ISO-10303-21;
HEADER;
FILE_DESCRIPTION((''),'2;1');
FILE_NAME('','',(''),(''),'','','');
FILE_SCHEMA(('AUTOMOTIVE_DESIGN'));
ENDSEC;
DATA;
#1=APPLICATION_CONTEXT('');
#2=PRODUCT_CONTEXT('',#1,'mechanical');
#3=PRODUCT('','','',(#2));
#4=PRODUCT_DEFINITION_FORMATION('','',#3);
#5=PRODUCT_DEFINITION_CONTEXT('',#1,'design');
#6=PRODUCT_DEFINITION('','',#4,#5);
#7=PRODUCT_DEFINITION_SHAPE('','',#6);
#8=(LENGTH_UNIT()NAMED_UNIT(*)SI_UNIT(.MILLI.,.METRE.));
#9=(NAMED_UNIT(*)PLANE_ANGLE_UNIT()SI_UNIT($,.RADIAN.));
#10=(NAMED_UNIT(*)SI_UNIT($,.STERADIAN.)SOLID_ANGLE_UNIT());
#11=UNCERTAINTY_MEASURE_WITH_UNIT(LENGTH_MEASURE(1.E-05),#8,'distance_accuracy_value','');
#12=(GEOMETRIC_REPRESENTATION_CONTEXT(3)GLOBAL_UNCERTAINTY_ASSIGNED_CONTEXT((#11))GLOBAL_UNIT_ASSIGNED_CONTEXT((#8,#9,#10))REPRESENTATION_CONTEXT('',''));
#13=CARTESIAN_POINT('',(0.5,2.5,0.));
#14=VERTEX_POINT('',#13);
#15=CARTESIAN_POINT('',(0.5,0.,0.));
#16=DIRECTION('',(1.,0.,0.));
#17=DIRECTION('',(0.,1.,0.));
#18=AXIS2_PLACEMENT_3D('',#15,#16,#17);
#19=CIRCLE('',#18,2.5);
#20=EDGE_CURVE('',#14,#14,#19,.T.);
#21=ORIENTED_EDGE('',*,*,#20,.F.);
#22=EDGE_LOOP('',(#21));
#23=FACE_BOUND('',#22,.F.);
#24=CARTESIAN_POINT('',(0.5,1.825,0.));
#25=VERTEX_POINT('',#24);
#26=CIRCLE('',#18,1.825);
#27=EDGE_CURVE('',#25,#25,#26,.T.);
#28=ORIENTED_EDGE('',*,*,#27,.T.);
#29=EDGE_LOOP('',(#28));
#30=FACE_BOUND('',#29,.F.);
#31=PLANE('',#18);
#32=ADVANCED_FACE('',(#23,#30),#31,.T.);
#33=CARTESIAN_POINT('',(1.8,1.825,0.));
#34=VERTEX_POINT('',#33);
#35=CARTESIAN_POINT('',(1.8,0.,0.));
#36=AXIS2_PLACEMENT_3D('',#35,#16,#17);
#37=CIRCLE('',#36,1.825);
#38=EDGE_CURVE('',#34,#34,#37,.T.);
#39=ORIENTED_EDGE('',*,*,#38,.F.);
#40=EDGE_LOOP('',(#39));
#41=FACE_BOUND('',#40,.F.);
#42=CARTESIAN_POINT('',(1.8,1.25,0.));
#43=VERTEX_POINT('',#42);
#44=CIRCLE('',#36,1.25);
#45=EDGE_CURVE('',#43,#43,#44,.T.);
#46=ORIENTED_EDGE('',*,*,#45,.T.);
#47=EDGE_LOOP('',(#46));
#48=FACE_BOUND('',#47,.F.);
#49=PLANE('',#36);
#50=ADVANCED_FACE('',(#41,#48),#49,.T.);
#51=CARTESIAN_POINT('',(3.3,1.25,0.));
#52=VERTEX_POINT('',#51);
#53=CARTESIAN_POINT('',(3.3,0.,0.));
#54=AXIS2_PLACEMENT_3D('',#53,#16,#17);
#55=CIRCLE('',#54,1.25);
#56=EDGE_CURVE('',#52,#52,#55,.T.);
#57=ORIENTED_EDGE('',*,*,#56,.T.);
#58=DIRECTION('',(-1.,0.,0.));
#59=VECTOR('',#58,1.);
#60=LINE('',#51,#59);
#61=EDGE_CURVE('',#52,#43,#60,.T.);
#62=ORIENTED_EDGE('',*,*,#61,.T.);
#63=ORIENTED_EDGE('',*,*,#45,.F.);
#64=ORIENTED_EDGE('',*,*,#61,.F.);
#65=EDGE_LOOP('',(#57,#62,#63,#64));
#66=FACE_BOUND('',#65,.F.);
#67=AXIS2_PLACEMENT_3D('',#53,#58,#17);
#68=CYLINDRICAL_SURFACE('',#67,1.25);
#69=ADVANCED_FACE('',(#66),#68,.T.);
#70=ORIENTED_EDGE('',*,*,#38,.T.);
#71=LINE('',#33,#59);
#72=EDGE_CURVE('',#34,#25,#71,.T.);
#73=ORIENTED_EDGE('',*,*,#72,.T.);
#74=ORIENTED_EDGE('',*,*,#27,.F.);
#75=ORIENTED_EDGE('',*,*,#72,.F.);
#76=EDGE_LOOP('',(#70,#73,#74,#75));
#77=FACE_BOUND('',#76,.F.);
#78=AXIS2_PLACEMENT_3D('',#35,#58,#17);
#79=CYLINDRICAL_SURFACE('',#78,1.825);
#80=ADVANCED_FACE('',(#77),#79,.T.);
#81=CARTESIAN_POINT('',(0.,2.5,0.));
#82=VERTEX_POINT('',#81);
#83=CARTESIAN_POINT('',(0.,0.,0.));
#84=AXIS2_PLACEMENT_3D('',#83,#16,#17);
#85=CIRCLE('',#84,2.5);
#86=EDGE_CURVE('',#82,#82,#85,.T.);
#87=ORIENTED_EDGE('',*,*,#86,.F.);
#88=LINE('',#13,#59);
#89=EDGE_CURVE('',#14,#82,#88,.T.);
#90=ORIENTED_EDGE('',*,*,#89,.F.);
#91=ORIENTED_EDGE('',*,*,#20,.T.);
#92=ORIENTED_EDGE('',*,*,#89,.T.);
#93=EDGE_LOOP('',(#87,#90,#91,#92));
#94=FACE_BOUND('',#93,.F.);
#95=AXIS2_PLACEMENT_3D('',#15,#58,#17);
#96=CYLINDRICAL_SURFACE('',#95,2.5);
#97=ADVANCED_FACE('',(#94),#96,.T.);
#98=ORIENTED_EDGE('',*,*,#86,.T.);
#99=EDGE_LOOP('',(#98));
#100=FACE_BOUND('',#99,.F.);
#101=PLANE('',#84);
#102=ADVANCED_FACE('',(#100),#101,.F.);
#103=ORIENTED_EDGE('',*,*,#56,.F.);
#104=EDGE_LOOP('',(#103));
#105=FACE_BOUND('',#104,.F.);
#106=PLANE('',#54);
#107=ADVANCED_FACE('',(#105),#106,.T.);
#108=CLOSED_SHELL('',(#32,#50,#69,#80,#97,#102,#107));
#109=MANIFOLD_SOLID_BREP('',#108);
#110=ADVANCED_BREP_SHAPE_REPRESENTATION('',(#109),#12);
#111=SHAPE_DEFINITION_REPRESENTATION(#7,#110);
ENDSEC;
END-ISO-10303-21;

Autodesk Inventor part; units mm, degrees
ref_plane "YZ Plane" through (0, 0, 0) normal (1, 0, 0) x (0, 1, 0)
ref_plane "XZ Plane" through (0, 0, 0) normal (0, 1, 0) x (-1, 0, 0)
ref_plane "XY Plane" through (0, 0, 0) normal (0, 0, 1) x (1, 0, 0)
sketch "Sketch1" plane through (0, 0, 0) normal (0, 0, 1) x (1, 0, 0)
  line L0 (0, 0) -> (0.5, 0)
  line L1 (0.5, 0) -> (0.5, 2.5)
  line L2 (0.5, 2.5) -> (0, 2.5)
  line L3 (0, 2.5) -> (0, 0)
  line L4 (0.5, 0) -> (1.8, 0)
  line L5 (1.8, 0) -> (1.8, 1.825)
  line L6 (1.8, 1.825) -> (0.5, 1.825)
  line L7 (0.5, 1.825) -> (0.5, 0)
  line L8 (1.8, 0) -> (3.3, 0)
  line L9 (3.3, 0) -> (3.3, 1.25)
  line L10 (3.3, 1.25) -> (1.8, 1.25)
  line L11 (1.8, 1.25) -> (1.8, 0)
  dimension "d0" = 0.5
  dimension "d1" = 1.8
  dimension "d2" = 3.3
  dimension "d3" = 2.5
  dimension "d4" = 3.65
  dimension "d5" = 5
revolve "Revolution1" add sketch "Sketch1" angle 360 about axis through (1.8, 0, 0) along (1, 0, 0)
properties part number "403-09" material "Brass, Soft Yellow"
